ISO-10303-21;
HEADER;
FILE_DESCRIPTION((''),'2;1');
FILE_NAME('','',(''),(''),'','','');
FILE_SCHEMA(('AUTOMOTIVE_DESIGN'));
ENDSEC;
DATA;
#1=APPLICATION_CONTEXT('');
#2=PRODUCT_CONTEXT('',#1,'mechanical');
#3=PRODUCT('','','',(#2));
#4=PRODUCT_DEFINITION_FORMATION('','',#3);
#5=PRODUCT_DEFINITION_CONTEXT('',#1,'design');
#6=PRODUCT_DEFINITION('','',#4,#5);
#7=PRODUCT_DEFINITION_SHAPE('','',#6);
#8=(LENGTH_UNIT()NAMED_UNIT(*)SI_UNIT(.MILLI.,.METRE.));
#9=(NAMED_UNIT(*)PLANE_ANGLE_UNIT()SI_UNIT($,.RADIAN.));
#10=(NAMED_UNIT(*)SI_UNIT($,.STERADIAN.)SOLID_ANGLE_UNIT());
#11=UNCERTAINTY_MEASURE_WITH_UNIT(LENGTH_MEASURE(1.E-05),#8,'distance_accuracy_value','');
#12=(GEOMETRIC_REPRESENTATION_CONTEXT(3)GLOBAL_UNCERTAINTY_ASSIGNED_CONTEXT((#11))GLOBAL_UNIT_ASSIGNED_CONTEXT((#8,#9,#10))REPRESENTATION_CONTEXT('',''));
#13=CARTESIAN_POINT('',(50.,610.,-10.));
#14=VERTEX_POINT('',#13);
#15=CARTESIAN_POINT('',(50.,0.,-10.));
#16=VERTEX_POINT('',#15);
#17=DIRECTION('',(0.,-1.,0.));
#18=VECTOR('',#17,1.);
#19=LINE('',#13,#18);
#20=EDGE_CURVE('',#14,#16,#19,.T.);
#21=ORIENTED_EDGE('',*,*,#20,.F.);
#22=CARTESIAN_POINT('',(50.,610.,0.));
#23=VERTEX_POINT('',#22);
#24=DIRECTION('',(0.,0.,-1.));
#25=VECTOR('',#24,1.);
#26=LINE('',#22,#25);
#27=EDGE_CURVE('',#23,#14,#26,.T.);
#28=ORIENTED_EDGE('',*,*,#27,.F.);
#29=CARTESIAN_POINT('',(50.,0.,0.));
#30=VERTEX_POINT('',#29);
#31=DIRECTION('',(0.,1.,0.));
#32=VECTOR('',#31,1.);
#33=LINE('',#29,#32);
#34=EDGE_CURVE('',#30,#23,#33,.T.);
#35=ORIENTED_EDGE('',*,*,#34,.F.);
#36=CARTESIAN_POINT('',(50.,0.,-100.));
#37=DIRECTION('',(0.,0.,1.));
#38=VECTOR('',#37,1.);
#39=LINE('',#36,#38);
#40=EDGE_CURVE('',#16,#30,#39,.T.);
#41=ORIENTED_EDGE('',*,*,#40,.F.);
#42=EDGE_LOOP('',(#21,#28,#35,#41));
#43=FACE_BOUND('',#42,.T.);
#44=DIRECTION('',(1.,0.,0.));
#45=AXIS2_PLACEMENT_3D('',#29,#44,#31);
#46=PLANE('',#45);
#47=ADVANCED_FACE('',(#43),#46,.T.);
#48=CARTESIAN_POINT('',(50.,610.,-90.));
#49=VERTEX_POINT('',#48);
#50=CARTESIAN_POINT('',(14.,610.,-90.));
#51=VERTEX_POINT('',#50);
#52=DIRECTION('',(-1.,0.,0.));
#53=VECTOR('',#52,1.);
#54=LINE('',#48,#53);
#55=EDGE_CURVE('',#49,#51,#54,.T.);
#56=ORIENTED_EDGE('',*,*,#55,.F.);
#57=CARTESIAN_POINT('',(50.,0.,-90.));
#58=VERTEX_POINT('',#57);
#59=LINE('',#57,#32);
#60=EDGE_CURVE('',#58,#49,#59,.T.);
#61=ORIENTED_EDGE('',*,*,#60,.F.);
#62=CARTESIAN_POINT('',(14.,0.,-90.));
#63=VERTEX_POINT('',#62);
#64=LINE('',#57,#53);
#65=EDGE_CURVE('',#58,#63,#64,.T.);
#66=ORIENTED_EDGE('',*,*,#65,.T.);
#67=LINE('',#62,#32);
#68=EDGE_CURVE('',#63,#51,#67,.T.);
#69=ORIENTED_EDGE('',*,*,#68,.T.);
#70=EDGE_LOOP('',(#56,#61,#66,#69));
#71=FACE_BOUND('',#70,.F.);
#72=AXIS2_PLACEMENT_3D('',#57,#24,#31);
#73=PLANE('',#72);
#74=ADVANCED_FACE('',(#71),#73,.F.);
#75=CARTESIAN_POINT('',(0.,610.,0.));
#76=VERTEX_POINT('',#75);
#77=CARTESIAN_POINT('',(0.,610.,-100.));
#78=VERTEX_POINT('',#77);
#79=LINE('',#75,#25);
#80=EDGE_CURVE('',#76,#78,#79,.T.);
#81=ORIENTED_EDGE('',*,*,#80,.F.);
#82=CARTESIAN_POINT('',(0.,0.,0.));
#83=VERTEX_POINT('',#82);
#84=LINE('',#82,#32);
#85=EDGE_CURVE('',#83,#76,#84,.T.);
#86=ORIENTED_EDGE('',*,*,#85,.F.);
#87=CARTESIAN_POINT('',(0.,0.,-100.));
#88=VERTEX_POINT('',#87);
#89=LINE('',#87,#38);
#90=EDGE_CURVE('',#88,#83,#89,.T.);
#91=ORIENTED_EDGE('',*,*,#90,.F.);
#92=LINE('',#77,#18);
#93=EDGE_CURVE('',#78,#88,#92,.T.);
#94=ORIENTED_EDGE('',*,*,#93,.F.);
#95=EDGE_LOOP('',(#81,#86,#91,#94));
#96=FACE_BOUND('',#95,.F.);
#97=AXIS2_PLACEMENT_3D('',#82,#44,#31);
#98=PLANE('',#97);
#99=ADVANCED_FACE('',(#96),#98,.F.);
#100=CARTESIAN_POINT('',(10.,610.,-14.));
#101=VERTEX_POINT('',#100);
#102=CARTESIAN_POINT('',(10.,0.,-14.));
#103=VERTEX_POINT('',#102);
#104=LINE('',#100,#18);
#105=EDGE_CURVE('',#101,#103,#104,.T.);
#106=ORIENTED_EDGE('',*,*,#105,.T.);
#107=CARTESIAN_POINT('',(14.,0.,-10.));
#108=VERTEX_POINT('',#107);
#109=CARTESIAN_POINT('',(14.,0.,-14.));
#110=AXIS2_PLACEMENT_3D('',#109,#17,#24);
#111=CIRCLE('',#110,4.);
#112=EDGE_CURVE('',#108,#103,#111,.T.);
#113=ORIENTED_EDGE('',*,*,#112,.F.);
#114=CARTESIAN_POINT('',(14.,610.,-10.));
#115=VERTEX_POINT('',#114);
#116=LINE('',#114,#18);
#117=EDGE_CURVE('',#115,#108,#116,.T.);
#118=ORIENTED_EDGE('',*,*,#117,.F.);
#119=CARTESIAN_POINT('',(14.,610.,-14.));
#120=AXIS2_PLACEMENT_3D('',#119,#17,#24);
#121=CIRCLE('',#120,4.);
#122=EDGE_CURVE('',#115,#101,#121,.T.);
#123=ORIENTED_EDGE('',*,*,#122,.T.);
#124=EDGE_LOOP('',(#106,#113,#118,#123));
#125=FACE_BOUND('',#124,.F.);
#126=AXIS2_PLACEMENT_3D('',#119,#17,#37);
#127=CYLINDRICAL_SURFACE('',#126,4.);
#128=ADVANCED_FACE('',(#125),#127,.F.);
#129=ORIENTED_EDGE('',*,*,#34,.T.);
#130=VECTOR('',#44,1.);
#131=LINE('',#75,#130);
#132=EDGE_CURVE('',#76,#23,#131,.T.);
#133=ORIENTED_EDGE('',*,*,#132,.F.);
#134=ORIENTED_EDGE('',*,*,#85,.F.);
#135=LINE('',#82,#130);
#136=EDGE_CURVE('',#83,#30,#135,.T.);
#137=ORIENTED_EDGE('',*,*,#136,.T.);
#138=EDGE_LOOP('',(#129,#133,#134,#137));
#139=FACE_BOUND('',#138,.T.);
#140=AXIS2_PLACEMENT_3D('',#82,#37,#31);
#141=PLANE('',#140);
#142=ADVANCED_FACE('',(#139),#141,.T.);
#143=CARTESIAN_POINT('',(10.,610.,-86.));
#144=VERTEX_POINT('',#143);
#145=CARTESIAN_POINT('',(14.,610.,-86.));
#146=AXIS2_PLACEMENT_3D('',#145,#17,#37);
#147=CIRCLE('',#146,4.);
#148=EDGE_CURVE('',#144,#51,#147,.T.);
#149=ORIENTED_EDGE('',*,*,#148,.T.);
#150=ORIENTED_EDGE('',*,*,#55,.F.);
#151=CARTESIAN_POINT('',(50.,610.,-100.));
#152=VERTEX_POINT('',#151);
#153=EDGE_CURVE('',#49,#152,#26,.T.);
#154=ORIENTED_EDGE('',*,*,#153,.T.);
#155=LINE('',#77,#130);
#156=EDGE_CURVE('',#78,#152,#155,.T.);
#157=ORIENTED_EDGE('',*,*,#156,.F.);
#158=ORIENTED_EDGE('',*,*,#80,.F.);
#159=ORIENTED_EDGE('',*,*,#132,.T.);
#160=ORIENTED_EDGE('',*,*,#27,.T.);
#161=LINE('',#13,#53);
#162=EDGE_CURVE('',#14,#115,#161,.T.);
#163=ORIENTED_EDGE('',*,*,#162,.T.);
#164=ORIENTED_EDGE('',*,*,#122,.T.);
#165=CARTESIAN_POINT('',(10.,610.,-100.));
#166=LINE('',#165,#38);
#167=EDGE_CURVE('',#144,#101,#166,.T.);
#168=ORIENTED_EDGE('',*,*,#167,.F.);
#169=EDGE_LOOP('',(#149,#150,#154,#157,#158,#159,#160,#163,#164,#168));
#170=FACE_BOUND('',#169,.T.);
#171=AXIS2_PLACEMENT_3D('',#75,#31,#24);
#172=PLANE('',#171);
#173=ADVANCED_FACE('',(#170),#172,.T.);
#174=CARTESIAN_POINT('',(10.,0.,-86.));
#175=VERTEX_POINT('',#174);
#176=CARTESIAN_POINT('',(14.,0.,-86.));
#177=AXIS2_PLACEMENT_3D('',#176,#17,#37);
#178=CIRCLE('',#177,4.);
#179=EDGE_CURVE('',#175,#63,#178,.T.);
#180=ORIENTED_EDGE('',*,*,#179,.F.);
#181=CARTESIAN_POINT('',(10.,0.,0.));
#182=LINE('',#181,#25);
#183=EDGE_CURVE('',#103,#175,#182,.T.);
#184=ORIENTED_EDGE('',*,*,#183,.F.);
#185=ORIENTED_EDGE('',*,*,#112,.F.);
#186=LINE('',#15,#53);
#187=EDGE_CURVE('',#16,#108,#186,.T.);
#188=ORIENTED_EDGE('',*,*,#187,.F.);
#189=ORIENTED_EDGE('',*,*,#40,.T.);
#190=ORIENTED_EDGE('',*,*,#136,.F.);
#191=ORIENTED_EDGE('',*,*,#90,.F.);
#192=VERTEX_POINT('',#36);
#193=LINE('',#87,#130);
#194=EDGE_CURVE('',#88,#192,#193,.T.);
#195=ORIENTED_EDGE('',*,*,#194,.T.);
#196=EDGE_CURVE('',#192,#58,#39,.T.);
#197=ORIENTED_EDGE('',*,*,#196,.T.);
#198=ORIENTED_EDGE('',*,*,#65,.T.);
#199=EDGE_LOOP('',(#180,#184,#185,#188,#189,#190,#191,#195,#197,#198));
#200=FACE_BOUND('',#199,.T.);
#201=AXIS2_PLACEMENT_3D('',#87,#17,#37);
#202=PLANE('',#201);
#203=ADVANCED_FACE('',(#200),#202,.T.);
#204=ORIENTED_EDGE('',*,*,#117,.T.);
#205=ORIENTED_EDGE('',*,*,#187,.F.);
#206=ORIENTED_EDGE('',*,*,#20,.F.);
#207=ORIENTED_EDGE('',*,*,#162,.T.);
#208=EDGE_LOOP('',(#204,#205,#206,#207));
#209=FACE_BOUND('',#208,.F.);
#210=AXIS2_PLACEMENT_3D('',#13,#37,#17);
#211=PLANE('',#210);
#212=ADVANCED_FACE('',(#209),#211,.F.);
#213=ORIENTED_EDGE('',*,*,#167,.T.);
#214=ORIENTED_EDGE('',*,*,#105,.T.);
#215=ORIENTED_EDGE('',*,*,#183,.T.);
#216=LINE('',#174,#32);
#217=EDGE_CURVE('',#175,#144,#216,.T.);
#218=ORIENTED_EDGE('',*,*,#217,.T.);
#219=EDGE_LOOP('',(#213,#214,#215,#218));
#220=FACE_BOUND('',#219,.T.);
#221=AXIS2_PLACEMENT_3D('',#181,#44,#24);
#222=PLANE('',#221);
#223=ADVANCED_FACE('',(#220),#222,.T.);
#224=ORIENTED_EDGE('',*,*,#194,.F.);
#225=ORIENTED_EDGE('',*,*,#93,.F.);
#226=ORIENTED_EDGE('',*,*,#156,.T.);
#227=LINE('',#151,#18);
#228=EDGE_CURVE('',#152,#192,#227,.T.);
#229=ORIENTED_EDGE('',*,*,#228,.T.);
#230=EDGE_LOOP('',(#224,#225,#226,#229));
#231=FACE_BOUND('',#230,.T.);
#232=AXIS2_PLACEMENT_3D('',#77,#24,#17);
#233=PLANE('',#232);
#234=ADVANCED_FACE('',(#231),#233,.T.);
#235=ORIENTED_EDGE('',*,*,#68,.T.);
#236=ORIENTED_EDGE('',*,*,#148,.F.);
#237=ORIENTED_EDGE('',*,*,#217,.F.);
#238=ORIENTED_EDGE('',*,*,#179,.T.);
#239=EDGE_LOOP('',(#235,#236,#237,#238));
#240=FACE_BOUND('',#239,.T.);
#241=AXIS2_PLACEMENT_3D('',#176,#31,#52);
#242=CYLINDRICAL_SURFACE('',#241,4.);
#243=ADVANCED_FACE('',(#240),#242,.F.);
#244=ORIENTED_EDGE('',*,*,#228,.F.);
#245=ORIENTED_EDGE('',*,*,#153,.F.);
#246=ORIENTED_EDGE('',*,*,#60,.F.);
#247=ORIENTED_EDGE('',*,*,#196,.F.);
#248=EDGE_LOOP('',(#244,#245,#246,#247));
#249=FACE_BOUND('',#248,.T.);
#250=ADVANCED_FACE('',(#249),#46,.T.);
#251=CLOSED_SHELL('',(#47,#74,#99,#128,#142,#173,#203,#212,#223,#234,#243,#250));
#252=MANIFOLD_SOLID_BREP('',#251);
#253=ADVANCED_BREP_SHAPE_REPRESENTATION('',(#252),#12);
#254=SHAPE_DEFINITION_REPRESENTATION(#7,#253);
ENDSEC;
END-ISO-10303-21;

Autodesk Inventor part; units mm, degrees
ref_plane "YZ Plane" through (0, 0, 0) normal (1, 0, 0) x (0, 1, 0)
ref_plane "XZ Plane" through (0, 0, 0) normal (0, 1, 0) x (-1, 0, 0)
ref_plane "XY Plane" through (0, 0, 0) normal (0, 0, 1) x (1, 0, 0)
sketch "Sketch1" plane through (0, 0, 0) normal (1, 0, 0) x (0, 1, 0)
  line L0 (0, 0) -> (610, 0)
  line L1 (610, 0) -> (610, -100)
  line L2 (610, -100) -> (0, -100)
  line L3 (0, -100) -> (0, 0)
  dimension "d0" = 610
  dimension "d1" = 100
extrude "Extrusion1" add sketch "Sketch1" along normal blind 50
sketch "Sketch2" plane through (50, 0, 0) normal (1, 0, 0) x (0, 0, -1)
  line L0 (0, 0) -> (100, 0) projected
  line L1 (100, 610) -> (0, 610) projected
  line L2 (10, 0) -> (90, 0)
  line L3 (90, 0) -> (90, 610)
  line L4 (90, 610) -> (10, 610)
  line L5 (10, 610) -> (10, 0)
  dimension "d4" = 80
extrude "Extrusion2" cut sketch "Sketch2" against normal blind 40
fillet "Fillet1" radius 4 2 edges at (10, 305, -90) (10, 305, -10)
equation "\"BendRadius\" = Thickness"
equation "\"BendReliefWidth\" = Thickness"
equation "\"BendReliefDepth\" = 0.5 * Thickness"
equation "\"CornerReliefSize\" = 4 * Thickness"
equation "\"MinimumRemnant\" = 2 * Thickness"
equation "\"TransitionRadius\" = BendRadius"
equation "\"JacobiRadiusSize\" = BendRadius"
equation "\"GapSize\" = Thickness"
equation "\"Thickness\" = 0.5"
properties part number "Base3"
